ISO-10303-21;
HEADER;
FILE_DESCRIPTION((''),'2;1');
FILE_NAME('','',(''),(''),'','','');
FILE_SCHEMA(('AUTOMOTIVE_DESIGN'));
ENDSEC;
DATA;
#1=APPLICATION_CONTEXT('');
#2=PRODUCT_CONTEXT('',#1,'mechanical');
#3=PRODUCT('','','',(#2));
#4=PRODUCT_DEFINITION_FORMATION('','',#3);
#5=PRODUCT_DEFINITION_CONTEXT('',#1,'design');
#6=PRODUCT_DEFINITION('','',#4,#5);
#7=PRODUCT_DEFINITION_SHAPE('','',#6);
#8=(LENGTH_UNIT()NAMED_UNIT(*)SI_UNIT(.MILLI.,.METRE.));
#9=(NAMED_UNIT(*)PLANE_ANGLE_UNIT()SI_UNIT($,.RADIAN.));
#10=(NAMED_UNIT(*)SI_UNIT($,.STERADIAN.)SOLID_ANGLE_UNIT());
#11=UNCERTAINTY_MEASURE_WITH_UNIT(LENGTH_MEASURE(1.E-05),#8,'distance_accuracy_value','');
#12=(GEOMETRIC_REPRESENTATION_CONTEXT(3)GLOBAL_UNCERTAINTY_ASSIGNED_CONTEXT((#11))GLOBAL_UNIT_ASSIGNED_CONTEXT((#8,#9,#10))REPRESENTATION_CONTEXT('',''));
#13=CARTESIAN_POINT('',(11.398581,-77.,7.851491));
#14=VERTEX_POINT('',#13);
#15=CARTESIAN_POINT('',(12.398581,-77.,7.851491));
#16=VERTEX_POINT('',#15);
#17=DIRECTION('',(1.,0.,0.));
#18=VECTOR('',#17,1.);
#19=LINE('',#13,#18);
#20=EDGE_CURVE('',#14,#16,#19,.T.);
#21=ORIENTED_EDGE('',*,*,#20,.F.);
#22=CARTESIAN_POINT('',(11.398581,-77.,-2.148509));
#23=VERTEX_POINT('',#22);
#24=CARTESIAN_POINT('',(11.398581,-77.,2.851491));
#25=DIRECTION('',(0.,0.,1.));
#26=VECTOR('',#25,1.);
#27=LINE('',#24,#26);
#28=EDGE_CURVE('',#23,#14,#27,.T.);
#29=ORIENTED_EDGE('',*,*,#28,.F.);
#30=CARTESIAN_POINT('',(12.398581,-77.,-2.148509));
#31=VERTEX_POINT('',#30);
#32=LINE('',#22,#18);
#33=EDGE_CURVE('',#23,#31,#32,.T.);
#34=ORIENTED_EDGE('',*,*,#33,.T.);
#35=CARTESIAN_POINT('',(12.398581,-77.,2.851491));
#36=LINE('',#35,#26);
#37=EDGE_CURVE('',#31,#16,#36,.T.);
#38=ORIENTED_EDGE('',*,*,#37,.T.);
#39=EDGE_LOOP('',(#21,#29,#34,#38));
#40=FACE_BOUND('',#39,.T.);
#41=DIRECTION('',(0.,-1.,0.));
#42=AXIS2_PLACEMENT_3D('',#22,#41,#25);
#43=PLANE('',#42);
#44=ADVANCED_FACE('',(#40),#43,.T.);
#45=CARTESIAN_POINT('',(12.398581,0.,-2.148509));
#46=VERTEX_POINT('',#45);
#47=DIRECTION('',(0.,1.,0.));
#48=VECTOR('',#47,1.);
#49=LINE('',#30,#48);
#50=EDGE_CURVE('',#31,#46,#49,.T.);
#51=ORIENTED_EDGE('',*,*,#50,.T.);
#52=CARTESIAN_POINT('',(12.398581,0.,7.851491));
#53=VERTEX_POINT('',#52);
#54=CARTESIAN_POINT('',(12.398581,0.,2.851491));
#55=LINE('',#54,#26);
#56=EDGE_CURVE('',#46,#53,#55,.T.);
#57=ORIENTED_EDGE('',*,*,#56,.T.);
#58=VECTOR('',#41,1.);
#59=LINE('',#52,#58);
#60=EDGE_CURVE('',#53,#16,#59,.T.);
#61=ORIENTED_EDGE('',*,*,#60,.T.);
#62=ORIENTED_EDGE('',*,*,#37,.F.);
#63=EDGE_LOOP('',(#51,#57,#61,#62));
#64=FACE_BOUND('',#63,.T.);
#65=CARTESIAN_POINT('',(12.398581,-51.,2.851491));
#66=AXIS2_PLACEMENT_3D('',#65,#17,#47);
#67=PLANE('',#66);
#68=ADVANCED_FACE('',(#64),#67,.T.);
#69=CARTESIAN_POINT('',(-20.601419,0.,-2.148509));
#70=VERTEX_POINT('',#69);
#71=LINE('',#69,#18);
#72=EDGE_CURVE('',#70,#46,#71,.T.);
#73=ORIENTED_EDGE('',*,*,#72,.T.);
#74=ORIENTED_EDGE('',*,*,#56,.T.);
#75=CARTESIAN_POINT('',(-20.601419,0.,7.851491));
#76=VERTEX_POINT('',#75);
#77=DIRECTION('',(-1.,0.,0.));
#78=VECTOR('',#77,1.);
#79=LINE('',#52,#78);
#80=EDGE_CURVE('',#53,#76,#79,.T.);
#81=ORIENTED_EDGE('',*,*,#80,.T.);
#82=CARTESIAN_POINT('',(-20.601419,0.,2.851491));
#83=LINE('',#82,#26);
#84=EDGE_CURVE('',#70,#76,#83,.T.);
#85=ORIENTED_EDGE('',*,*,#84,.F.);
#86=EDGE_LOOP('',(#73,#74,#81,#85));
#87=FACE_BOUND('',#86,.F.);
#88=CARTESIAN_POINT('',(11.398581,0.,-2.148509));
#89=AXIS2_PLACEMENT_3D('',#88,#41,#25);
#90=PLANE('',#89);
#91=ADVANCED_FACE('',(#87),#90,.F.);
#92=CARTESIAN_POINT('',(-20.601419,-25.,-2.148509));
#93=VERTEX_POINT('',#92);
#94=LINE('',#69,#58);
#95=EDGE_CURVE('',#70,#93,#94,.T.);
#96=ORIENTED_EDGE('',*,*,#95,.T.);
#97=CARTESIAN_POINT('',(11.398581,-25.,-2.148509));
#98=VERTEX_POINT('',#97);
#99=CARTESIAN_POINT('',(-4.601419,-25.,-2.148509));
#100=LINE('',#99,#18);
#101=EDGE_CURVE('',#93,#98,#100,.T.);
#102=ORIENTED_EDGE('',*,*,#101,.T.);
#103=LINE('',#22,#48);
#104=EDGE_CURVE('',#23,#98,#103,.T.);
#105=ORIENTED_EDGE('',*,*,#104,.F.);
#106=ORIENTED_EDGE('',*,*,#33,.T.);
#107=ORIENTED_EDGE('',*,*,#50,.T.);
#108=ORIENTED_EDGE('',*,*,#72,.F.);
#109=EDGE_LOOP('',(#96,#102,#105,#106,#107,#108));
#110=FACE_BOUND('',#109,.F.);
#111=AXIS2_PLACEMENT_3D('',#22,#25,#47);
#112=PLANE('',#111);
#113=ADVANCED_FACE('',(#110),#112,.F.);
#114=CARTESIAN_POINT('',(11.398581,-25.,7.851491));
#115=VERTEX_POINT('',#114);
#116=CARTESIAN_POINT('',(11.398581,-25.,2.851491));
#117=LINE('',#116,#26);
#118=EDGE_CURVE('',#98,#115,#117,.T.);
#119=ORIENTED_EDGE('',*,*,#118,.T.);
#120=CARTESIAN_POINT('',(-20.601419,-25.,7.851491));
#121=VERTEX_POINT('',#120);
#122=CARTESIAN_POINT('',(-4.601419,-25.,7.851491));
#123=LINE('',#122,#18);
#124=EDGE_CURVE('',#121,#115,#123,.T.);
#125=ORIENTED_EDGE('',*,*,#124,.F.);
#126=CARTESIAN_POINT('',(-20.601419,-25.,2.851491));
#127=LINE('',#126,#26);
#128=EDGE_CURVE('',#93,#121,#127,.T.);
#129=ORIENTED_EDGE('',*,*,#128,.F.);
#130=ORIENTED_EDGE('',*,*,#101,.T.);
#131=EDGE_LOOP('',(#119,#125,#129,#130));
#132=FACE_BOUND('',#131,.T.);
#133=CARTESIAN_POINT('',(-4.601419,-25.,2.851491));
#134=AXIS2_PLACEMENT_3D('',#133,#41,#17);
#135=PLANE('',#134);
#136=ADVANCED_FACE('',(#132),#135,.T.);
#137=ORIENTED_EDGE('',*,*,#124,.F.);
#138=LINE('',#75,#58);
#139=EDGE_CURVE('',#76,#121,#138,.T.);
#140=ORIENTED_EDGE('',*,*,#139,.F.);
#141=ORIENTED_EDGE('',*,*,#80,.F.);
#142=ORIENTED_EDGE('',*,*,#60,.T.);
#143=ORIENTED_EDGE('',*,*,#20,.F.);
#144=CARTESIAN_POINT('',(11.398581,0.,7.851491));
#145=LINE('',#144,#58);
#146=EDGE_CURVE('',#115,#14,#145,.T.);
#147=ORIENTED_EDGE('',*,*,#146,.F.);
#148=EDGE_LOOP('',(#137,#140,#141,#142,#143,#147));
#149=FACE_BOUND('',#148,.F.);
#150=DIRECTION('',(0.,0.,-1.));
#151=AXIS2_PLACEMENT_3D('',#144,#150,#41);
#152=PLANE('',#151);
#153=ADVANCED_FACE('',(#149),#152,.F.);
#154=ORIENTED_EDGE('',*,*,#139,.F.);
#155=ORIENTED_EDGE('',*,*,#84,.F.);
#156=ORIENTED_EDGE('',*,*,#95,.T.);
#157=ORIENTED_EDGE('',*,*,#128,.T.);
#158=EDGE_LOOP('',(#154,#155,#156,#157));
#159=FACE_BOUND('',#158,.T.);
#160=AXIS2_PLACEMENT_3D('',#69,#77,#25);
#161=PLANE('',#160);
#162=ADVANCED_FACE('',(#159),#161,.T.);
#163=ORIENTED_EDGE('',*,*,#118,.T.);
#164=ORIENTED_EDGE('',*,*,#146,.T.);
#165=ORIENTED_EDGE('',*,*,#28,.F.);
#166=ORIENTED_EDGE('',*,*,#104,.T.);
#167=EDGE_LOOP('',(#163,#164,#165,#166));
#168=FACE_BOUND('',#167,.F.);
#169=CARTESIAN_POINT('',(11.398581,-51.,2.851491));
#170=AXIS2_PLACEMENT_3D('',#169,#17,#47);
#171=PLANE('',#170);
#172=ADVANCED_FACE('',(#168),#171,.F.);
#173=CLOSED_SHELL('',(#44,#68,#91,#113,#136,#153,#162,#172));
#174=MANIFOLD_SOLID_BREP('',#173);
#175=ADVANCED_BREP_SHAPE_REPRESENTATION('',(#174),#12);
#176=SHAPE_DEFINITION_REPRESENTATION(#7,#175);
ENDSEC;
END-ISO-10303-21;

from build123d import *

# Parameters (mm, degrees)
F0_W     = 32
F0_H     = 10
F1_DEPTH = 25
F2_W     = 52
F2_H     = 10
F2_W_2   = 25
F3_DEPTH = 1


with BuildPart() as f1:
    # F0 (on Front) → F1 (new body)
    with BuildSketch(Plane.XZ):
        with Locations((-4.601419, 2.851491)):
            Rectangle(F0_W, F0_H)
    extrude(amount=F1_DEPTH)

    # F2 (on face) → F3 (join)
    with BuildSketch(Plane.YZ.offset(11.398581)):
        with Locations((-51, 2.851491)):
            Rectangle(F2_W, F2_H)
        with Locations((-12.5, 2.851491)):
            Rectangle(F2_W_2, F2_H)
    extrude(amount=F3_DEPTH)


solid = f1.part
